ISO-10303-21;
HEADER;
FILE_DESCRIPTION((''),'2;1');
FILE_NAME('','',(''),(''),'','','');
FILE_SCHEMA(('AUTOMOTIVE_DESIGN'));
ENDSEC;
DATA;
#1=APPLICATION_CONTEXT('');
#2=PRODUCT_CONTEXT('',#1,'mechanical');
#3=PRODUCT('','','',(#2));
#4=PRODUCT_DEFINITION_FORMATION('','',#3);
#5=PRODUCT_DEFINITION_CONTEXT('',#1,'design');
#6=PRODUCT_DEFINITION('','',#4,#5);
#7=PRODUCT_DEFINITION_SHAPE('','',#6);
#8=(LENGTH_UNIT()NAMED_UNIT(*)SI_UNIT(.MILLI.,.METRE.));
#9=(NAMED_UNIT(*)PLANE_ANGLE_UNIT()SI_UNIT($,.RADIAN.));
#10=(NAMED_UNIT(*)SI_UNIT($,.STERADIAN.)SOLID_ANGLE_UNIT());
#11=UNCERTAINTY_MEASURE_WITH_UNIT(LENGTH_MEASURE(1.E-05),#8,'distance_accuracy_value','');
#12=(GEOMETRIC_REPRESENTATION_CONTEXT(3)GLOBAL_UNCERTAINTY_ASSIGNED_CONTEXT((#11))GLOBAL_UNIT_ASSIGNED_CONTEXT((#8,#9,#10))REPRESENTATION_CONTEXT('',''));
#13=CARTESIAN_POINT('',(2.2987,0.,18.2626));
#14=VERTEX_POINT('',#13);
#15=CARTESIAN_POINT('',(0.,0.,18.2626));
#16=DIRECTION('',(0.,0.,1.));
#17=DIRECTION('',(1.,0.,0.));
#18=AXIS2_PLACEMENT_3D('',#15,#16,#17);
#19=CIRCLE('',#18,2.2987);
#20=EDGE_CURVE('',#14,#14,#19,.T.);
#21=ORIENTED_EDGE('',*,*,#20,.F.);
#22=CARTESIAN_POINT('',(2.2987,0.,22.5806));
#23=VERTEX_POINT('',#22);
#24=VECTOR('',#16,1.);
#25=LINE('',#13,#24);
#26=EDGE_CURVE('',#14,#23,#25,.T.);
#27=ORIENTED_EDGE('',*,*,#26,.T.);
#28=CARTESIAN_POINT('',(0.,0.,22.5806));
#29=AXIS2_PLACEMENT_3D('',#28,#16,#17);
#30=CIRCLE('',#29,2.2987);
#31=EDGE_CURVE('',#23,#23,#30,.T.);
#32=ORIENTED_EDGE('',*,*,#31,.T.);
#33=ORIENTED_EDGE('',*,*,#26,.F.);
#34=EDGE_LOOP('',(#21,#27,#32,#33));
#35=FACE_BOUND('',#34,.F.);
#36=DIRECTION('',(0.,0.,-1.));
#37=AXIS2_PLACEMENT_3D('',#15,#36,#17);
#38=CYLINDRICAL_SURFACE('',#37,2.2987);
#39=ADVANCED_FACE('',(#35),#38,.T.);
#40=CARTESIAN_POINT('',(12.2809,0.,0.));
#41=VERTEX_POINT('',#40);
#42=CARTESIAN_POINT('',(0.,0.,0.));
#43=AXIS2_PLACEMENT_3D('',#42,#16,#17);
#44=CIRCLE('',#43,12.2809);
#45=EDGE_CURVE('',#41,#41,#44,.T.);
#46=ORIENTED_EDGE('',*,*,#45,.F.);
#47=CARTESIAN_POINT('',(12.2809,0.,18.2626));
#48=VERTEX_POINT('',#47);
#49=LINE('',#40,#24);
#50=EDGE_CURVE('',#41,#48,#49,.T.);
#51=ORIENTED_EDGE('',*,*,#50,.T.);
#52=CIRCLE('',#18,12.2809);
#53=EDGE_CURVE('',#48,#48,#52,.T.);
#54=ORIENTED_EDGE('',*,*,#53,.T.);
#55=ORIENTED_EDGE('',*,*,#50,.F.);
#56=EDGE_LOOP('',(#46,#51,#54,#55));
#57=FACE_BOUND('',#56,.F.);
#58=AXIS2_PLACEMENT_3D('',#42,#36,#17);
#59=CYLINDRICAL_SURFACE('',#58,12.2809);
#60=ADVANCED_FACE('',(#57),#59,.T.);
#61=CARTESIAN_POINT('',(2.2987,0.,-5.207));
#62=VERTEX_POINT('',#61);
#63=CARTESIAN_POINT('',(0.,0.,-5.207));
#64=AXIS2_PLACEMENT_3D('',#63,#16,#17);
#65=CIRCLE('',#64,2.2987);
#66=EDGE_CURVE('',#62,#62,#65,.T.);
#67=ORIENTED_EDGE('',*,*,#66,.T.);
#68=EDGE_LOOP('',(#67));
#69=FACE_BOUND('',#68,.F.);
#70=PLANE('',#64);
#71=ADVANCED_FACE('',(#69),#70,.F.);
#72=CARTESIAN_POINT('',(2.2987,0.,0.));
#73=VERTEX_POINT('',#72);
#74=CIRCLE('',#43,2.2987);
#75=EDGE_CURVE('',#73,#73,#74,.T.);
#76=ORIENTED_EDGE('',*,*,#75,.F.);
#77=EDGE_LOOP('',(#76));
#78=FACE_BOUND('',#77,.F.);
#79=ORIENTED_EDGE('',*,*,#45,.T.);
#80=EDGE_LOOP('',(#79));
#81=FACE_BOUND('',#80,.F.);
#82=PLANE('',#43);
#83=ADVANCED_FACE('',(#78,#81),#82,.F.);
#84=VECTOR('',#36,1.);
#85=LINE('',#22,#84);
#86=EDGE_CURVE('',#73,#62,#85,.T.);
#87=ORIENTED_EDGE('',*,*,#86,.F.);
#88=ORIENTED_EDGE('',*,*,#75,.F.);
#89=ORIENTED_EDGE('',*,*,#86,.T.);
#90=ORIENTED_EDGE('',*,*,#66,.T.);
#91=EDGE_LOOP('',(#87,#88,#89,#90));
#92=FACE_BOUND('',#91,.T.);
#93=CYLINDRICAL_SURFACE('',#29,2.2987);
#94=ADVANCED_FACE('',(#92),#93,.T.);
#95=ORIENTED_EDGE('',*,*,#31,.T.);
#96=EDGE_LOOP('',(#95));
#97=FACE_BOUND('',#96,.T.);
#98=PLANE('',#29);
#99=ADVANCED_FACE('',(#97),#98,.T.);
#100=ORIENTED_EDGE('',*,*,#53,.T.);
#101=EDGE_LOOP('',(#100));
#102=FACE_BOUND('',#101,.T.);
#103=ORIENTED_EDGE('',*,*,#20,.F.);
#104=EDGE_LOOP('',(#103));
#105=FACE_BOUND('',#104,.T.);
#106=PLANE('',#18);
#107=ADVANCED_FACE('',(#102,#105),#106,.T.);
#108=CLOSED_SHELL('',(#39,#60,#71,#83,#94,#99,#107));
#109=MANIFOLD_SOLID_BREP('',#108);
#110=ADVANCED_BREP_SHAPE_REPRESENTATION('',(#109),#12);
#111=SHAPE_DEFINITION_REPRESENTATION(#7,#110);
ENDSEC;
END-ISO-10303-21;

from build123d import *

# Parameters (mm, degrees)
F0_R      = 12.2809
F1_DEPTH  = 18.2626
F2_R      = 2.2987
F3_DEPTH  = 4.318
F3_FACE_R = 2.2987
F4_DEPTH  = 27.7876


with BuildPart() as f1:
    # F0 (on Top) → F1 (new body)
    with BuildSketch(Plane.XY):
        Circle(F0_R)
    extrude(amount=F1_DEPTH)

    # F2 (on face) → F3 (join)
    with BuildSketch(Plane.XY.offset(18.2626)):
        Circle(F2_R)
    extrude(amount=F3_DEPTH)

    # F3_face (on face) → F4 (join)
    with BuildSketch(Plane.XY.offset(22.5806)):
        Circle(F3_FACE_R)
    extrude(amount=-F4_DEPTH)


solid = f1.part
